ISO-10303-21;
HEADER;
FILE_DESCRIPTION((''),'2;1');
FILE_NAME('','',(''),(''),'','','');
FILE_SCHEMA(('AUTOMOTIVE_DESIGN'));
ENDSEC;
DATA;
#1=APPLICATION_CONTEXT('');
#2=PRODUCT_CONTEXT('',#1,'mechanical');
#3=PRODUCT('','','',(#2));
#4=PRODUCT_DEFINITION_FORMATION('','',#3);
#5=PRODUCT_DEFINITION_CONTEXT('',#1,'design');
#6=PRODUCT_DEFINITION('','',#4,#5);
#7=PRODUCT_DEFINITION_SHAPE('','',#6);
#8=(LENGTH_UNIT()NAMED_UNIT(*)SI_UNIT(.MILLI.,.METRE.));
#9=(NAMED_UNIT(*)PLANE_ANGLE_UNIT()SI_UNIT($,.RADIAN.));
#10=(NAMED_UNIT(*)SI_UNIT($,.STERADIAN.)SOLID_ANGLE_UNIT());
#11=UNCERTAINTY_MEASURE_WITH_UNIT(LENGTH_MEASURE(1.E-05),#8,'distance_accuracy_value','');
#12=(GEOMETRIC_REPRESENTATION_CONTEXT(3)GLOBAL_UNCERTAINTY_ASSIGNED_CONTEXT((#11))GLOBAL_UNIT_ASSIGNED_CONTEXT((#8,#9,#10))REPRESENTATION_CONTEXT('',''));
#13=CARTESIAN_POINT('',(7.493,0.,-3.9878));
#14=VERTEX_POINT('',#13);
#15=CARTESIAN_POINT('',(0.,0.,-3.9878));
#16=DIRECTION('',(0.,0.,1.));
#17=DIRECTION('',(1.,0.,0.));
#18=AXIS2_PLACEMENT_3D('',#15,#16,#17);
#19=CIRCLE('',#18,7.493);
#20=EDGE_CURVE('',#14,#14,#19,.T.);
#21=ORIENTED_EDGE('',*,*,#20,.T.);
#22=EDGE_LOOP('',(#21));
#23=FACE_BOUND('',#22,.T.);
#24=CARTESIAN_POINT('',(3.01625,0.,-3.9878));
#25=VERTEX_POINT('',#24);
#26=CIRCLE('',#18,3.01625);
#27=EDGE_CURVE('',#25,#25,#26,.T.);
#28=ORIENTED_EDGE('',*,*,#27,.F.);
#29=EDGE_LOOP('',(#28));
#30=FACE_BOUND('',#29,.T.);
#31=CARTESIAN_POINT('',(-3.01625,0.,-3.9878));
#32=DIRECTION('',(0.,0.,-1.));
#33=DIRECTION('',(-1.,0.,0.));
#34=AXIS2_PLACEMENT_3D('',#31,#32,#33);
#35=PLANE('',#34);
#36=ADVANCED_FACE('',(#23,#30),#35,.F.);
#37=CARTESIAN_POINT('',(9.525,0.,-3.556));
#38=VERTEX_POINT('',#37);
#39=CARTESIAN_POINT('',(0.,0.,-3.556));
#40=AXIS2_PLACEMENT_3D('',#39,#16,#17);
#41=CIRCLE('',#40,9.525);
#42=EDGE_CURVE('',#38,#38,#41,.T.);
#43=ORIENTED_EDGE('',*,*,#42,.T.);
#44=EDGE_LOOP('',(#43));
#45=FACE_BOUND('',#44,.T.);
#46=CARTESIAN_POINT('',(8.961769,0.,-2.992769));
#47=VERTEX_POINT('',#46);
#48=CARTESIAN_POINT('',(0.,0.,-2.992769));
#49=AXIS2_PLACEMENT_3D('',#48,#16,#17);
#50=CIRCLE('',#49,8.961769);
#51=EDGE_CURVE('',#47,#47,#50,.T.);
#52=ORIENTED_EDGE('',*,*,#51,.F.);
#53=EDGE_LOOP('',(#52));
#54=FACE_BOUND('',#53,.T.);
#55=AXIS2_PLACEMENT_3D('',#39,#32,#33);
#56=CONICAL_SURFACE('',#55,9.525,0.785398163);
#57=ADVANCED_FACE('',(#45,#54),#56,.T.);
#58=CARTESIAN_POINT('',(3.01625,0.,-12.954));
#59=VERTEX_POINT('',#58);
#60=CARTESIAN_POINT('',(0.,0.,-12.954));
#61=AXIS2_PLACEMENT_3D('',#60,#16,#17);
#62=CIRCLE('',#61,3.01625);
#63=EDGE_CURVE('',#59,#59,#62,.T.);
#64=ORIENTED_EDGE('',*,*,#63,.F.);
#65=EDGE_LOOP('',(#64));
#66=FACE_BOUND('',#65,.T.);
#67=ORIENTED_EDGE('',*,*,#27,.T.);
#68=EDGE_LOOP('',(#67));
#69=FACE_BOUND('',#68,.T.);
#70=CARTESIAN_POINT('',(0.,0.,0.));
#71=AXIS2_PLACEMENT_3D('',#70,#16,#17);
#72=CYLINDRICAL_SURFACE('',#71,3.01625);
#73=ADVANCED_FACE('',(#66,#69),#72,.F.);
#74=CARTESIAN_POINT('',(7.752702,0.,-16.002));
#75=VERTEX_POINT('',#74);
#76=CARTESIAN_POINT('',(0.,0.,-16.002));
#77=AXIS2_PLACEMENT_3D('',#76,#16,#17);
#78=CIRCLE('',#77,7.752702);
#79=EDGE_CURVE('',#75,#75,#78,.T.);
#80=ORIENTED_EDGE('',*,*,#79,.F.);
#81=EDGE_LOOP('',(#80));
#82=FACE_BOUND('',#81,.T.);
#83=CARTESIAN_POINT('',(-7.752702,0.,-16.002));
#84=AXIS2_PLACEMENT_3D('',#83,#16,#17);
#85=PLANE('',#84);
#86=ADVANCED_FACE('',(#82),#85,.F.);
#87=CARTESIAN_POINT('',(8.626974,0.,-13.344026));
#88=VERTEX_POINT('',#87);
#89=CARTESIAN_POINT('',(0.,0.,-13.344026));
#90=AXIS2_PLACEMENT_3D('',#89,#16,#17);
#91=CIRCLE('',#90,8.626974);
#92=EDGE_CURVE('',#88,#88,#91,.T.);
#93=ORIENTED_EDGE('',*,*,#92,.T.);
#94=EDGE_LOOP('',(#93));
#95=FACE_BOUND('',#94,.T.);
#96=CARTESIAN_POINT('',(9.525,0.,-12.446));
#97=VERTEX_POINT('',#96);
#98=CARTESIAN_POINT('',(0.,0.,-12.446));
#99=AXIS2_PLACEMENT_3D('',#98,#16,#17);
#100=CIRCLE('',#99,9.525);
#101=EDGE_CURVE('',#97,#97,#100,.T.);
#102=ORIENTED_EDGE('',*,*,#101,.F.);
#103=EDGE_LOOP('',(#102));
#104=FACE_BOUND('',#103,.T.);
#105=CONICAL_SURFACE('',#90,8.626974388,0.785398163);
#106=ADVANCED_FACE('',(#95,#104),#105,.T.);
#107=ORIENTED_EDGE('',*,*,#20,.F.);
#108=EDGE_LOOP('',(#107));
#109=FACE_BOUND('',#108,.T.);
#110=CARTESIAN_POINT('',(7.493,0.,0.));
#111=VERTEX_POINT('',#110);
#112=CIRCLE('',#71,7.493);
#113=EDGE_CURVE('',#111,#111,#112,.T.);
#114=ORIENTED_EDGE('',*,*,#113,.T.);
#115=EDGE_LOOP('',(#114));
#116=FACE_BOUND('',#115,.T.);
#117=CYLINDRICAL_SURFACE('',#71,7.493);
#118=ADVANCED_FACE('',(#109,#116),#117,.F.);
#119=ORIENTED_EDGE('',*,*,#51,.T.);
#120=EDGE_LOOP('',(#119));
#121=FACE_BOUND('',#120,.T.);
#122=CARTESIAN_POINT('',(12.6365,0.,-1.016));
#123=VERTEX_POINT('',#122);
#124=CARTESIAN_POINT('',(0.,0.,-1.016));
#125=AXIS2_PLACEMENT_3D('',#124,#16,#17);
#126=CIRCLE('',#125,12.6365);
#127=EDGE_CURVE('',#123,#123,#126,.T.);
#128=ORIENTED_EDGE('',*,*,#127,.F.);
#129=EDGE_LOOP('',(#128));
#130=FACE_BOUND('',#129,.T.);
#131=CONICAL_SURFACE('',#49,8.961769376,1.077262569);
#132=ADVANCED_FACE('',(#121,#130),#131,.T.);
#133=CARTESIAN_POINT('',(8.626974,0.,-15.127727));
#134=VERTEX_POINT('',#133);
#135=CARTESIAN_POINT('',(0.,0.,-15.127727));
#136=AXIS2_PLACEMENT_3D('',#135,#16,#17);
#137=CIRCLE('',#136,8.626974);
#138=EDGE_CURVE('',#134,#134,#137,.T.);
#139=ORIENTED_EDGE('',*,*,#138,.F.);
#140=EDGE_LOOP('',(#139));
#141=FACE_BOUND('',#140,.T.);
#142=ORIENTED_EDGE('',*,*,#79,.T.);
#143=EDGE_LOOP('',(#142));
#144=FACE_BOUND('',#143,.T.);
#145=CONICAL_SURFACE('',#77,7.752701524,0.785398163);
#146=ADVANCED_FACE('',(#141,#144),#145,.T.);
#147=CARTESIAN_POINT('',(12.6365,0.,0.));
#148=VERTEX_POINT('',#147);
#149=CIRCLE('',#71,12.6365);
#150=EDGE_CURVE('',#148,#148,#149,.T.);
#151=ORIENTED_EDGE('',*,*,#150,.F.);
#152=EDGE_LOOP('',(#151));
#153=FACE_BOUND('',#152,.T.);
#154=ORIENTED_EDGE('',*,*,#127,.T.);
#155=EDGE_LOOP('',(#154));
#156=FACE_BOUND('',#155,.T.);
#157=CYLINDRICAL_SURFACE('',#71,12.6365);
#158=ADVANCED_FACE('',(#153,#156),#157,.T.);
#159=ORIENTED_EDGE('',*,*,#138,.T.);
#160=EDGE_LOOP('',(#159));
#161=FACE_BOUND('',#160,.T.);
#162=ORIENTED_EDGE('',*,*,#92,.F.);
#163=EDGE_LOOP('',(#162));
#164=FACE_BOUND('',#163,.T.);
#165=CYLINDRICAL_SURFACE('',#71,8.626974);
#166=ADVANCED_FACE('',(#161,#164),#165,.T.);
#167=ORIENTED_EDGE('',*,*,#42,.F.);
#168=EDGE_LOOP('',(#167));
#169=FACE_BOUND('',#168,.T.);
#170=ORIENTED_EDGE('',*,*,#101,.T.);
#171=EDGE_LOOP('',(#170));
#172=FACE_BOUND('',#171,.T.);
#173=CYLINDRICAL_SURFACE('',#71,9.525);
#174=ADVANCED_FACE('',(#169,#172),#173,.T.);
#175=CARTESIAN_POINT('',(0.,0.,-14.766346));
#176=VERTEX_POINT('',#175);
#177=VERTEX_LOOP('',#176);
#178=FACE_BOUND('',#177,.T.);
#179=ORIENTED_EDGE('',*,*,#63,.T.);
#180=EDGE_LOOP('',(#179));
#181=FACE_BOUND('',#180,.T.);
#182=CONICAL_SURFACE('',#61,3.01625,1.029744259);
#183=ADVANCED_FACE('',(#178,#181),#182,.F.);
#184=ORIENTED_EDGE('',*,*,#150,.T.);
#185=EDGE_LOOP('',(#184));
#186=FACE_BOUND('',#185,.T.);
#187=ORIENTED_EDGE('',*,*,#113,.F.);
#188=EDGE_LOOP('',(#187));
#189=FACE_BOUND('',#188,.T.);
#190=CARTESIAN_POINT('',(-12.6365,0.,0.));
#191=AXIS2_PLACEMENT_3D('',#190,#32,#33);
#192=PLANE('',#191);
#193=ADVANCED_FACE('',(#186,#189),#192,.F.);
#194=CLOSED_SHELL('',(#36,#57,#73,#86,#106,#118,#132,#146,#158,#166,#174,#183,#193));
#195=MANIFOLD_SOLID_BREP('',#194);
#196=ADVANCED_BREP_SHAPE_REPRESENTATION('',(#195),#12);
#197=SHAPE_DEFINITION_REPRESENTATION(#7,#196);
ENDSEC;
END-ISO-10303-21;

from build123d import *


with BuildPart() as part:
    # Sketch1 → Revolve1 (revolve)
    with BuildSketch(Plane(origin=(0, 0, 0), x_dir=(1, 0, 0), z_dir=(0, 1, 0)), mode=Mode.PRIVATE) as revolve1_sk:
        Polygon((-12.6365, 0), (-12.6365, 1.016), (-8.961769376, 2.992769376), (-9.525, 3.556), (-9.525, 12.446), (-8.626974388, 13.344025612), (-8.626974388, 15.127727136), (-7.752701524, 16.002), (0, 16.002), (0, 14.766345842), (-3.01625, 12.954), (-3.01625, 3.9878), (-7.493, 3.9878), (-7.493, 0), align=None)
    revolve(revolve1_sk.sketch.rotate(Axis((0, 0, 0), (0, 0, -1)), 180), axis=Axis((0, 0, 0), (0, 0, -1)))


solid = part.part
